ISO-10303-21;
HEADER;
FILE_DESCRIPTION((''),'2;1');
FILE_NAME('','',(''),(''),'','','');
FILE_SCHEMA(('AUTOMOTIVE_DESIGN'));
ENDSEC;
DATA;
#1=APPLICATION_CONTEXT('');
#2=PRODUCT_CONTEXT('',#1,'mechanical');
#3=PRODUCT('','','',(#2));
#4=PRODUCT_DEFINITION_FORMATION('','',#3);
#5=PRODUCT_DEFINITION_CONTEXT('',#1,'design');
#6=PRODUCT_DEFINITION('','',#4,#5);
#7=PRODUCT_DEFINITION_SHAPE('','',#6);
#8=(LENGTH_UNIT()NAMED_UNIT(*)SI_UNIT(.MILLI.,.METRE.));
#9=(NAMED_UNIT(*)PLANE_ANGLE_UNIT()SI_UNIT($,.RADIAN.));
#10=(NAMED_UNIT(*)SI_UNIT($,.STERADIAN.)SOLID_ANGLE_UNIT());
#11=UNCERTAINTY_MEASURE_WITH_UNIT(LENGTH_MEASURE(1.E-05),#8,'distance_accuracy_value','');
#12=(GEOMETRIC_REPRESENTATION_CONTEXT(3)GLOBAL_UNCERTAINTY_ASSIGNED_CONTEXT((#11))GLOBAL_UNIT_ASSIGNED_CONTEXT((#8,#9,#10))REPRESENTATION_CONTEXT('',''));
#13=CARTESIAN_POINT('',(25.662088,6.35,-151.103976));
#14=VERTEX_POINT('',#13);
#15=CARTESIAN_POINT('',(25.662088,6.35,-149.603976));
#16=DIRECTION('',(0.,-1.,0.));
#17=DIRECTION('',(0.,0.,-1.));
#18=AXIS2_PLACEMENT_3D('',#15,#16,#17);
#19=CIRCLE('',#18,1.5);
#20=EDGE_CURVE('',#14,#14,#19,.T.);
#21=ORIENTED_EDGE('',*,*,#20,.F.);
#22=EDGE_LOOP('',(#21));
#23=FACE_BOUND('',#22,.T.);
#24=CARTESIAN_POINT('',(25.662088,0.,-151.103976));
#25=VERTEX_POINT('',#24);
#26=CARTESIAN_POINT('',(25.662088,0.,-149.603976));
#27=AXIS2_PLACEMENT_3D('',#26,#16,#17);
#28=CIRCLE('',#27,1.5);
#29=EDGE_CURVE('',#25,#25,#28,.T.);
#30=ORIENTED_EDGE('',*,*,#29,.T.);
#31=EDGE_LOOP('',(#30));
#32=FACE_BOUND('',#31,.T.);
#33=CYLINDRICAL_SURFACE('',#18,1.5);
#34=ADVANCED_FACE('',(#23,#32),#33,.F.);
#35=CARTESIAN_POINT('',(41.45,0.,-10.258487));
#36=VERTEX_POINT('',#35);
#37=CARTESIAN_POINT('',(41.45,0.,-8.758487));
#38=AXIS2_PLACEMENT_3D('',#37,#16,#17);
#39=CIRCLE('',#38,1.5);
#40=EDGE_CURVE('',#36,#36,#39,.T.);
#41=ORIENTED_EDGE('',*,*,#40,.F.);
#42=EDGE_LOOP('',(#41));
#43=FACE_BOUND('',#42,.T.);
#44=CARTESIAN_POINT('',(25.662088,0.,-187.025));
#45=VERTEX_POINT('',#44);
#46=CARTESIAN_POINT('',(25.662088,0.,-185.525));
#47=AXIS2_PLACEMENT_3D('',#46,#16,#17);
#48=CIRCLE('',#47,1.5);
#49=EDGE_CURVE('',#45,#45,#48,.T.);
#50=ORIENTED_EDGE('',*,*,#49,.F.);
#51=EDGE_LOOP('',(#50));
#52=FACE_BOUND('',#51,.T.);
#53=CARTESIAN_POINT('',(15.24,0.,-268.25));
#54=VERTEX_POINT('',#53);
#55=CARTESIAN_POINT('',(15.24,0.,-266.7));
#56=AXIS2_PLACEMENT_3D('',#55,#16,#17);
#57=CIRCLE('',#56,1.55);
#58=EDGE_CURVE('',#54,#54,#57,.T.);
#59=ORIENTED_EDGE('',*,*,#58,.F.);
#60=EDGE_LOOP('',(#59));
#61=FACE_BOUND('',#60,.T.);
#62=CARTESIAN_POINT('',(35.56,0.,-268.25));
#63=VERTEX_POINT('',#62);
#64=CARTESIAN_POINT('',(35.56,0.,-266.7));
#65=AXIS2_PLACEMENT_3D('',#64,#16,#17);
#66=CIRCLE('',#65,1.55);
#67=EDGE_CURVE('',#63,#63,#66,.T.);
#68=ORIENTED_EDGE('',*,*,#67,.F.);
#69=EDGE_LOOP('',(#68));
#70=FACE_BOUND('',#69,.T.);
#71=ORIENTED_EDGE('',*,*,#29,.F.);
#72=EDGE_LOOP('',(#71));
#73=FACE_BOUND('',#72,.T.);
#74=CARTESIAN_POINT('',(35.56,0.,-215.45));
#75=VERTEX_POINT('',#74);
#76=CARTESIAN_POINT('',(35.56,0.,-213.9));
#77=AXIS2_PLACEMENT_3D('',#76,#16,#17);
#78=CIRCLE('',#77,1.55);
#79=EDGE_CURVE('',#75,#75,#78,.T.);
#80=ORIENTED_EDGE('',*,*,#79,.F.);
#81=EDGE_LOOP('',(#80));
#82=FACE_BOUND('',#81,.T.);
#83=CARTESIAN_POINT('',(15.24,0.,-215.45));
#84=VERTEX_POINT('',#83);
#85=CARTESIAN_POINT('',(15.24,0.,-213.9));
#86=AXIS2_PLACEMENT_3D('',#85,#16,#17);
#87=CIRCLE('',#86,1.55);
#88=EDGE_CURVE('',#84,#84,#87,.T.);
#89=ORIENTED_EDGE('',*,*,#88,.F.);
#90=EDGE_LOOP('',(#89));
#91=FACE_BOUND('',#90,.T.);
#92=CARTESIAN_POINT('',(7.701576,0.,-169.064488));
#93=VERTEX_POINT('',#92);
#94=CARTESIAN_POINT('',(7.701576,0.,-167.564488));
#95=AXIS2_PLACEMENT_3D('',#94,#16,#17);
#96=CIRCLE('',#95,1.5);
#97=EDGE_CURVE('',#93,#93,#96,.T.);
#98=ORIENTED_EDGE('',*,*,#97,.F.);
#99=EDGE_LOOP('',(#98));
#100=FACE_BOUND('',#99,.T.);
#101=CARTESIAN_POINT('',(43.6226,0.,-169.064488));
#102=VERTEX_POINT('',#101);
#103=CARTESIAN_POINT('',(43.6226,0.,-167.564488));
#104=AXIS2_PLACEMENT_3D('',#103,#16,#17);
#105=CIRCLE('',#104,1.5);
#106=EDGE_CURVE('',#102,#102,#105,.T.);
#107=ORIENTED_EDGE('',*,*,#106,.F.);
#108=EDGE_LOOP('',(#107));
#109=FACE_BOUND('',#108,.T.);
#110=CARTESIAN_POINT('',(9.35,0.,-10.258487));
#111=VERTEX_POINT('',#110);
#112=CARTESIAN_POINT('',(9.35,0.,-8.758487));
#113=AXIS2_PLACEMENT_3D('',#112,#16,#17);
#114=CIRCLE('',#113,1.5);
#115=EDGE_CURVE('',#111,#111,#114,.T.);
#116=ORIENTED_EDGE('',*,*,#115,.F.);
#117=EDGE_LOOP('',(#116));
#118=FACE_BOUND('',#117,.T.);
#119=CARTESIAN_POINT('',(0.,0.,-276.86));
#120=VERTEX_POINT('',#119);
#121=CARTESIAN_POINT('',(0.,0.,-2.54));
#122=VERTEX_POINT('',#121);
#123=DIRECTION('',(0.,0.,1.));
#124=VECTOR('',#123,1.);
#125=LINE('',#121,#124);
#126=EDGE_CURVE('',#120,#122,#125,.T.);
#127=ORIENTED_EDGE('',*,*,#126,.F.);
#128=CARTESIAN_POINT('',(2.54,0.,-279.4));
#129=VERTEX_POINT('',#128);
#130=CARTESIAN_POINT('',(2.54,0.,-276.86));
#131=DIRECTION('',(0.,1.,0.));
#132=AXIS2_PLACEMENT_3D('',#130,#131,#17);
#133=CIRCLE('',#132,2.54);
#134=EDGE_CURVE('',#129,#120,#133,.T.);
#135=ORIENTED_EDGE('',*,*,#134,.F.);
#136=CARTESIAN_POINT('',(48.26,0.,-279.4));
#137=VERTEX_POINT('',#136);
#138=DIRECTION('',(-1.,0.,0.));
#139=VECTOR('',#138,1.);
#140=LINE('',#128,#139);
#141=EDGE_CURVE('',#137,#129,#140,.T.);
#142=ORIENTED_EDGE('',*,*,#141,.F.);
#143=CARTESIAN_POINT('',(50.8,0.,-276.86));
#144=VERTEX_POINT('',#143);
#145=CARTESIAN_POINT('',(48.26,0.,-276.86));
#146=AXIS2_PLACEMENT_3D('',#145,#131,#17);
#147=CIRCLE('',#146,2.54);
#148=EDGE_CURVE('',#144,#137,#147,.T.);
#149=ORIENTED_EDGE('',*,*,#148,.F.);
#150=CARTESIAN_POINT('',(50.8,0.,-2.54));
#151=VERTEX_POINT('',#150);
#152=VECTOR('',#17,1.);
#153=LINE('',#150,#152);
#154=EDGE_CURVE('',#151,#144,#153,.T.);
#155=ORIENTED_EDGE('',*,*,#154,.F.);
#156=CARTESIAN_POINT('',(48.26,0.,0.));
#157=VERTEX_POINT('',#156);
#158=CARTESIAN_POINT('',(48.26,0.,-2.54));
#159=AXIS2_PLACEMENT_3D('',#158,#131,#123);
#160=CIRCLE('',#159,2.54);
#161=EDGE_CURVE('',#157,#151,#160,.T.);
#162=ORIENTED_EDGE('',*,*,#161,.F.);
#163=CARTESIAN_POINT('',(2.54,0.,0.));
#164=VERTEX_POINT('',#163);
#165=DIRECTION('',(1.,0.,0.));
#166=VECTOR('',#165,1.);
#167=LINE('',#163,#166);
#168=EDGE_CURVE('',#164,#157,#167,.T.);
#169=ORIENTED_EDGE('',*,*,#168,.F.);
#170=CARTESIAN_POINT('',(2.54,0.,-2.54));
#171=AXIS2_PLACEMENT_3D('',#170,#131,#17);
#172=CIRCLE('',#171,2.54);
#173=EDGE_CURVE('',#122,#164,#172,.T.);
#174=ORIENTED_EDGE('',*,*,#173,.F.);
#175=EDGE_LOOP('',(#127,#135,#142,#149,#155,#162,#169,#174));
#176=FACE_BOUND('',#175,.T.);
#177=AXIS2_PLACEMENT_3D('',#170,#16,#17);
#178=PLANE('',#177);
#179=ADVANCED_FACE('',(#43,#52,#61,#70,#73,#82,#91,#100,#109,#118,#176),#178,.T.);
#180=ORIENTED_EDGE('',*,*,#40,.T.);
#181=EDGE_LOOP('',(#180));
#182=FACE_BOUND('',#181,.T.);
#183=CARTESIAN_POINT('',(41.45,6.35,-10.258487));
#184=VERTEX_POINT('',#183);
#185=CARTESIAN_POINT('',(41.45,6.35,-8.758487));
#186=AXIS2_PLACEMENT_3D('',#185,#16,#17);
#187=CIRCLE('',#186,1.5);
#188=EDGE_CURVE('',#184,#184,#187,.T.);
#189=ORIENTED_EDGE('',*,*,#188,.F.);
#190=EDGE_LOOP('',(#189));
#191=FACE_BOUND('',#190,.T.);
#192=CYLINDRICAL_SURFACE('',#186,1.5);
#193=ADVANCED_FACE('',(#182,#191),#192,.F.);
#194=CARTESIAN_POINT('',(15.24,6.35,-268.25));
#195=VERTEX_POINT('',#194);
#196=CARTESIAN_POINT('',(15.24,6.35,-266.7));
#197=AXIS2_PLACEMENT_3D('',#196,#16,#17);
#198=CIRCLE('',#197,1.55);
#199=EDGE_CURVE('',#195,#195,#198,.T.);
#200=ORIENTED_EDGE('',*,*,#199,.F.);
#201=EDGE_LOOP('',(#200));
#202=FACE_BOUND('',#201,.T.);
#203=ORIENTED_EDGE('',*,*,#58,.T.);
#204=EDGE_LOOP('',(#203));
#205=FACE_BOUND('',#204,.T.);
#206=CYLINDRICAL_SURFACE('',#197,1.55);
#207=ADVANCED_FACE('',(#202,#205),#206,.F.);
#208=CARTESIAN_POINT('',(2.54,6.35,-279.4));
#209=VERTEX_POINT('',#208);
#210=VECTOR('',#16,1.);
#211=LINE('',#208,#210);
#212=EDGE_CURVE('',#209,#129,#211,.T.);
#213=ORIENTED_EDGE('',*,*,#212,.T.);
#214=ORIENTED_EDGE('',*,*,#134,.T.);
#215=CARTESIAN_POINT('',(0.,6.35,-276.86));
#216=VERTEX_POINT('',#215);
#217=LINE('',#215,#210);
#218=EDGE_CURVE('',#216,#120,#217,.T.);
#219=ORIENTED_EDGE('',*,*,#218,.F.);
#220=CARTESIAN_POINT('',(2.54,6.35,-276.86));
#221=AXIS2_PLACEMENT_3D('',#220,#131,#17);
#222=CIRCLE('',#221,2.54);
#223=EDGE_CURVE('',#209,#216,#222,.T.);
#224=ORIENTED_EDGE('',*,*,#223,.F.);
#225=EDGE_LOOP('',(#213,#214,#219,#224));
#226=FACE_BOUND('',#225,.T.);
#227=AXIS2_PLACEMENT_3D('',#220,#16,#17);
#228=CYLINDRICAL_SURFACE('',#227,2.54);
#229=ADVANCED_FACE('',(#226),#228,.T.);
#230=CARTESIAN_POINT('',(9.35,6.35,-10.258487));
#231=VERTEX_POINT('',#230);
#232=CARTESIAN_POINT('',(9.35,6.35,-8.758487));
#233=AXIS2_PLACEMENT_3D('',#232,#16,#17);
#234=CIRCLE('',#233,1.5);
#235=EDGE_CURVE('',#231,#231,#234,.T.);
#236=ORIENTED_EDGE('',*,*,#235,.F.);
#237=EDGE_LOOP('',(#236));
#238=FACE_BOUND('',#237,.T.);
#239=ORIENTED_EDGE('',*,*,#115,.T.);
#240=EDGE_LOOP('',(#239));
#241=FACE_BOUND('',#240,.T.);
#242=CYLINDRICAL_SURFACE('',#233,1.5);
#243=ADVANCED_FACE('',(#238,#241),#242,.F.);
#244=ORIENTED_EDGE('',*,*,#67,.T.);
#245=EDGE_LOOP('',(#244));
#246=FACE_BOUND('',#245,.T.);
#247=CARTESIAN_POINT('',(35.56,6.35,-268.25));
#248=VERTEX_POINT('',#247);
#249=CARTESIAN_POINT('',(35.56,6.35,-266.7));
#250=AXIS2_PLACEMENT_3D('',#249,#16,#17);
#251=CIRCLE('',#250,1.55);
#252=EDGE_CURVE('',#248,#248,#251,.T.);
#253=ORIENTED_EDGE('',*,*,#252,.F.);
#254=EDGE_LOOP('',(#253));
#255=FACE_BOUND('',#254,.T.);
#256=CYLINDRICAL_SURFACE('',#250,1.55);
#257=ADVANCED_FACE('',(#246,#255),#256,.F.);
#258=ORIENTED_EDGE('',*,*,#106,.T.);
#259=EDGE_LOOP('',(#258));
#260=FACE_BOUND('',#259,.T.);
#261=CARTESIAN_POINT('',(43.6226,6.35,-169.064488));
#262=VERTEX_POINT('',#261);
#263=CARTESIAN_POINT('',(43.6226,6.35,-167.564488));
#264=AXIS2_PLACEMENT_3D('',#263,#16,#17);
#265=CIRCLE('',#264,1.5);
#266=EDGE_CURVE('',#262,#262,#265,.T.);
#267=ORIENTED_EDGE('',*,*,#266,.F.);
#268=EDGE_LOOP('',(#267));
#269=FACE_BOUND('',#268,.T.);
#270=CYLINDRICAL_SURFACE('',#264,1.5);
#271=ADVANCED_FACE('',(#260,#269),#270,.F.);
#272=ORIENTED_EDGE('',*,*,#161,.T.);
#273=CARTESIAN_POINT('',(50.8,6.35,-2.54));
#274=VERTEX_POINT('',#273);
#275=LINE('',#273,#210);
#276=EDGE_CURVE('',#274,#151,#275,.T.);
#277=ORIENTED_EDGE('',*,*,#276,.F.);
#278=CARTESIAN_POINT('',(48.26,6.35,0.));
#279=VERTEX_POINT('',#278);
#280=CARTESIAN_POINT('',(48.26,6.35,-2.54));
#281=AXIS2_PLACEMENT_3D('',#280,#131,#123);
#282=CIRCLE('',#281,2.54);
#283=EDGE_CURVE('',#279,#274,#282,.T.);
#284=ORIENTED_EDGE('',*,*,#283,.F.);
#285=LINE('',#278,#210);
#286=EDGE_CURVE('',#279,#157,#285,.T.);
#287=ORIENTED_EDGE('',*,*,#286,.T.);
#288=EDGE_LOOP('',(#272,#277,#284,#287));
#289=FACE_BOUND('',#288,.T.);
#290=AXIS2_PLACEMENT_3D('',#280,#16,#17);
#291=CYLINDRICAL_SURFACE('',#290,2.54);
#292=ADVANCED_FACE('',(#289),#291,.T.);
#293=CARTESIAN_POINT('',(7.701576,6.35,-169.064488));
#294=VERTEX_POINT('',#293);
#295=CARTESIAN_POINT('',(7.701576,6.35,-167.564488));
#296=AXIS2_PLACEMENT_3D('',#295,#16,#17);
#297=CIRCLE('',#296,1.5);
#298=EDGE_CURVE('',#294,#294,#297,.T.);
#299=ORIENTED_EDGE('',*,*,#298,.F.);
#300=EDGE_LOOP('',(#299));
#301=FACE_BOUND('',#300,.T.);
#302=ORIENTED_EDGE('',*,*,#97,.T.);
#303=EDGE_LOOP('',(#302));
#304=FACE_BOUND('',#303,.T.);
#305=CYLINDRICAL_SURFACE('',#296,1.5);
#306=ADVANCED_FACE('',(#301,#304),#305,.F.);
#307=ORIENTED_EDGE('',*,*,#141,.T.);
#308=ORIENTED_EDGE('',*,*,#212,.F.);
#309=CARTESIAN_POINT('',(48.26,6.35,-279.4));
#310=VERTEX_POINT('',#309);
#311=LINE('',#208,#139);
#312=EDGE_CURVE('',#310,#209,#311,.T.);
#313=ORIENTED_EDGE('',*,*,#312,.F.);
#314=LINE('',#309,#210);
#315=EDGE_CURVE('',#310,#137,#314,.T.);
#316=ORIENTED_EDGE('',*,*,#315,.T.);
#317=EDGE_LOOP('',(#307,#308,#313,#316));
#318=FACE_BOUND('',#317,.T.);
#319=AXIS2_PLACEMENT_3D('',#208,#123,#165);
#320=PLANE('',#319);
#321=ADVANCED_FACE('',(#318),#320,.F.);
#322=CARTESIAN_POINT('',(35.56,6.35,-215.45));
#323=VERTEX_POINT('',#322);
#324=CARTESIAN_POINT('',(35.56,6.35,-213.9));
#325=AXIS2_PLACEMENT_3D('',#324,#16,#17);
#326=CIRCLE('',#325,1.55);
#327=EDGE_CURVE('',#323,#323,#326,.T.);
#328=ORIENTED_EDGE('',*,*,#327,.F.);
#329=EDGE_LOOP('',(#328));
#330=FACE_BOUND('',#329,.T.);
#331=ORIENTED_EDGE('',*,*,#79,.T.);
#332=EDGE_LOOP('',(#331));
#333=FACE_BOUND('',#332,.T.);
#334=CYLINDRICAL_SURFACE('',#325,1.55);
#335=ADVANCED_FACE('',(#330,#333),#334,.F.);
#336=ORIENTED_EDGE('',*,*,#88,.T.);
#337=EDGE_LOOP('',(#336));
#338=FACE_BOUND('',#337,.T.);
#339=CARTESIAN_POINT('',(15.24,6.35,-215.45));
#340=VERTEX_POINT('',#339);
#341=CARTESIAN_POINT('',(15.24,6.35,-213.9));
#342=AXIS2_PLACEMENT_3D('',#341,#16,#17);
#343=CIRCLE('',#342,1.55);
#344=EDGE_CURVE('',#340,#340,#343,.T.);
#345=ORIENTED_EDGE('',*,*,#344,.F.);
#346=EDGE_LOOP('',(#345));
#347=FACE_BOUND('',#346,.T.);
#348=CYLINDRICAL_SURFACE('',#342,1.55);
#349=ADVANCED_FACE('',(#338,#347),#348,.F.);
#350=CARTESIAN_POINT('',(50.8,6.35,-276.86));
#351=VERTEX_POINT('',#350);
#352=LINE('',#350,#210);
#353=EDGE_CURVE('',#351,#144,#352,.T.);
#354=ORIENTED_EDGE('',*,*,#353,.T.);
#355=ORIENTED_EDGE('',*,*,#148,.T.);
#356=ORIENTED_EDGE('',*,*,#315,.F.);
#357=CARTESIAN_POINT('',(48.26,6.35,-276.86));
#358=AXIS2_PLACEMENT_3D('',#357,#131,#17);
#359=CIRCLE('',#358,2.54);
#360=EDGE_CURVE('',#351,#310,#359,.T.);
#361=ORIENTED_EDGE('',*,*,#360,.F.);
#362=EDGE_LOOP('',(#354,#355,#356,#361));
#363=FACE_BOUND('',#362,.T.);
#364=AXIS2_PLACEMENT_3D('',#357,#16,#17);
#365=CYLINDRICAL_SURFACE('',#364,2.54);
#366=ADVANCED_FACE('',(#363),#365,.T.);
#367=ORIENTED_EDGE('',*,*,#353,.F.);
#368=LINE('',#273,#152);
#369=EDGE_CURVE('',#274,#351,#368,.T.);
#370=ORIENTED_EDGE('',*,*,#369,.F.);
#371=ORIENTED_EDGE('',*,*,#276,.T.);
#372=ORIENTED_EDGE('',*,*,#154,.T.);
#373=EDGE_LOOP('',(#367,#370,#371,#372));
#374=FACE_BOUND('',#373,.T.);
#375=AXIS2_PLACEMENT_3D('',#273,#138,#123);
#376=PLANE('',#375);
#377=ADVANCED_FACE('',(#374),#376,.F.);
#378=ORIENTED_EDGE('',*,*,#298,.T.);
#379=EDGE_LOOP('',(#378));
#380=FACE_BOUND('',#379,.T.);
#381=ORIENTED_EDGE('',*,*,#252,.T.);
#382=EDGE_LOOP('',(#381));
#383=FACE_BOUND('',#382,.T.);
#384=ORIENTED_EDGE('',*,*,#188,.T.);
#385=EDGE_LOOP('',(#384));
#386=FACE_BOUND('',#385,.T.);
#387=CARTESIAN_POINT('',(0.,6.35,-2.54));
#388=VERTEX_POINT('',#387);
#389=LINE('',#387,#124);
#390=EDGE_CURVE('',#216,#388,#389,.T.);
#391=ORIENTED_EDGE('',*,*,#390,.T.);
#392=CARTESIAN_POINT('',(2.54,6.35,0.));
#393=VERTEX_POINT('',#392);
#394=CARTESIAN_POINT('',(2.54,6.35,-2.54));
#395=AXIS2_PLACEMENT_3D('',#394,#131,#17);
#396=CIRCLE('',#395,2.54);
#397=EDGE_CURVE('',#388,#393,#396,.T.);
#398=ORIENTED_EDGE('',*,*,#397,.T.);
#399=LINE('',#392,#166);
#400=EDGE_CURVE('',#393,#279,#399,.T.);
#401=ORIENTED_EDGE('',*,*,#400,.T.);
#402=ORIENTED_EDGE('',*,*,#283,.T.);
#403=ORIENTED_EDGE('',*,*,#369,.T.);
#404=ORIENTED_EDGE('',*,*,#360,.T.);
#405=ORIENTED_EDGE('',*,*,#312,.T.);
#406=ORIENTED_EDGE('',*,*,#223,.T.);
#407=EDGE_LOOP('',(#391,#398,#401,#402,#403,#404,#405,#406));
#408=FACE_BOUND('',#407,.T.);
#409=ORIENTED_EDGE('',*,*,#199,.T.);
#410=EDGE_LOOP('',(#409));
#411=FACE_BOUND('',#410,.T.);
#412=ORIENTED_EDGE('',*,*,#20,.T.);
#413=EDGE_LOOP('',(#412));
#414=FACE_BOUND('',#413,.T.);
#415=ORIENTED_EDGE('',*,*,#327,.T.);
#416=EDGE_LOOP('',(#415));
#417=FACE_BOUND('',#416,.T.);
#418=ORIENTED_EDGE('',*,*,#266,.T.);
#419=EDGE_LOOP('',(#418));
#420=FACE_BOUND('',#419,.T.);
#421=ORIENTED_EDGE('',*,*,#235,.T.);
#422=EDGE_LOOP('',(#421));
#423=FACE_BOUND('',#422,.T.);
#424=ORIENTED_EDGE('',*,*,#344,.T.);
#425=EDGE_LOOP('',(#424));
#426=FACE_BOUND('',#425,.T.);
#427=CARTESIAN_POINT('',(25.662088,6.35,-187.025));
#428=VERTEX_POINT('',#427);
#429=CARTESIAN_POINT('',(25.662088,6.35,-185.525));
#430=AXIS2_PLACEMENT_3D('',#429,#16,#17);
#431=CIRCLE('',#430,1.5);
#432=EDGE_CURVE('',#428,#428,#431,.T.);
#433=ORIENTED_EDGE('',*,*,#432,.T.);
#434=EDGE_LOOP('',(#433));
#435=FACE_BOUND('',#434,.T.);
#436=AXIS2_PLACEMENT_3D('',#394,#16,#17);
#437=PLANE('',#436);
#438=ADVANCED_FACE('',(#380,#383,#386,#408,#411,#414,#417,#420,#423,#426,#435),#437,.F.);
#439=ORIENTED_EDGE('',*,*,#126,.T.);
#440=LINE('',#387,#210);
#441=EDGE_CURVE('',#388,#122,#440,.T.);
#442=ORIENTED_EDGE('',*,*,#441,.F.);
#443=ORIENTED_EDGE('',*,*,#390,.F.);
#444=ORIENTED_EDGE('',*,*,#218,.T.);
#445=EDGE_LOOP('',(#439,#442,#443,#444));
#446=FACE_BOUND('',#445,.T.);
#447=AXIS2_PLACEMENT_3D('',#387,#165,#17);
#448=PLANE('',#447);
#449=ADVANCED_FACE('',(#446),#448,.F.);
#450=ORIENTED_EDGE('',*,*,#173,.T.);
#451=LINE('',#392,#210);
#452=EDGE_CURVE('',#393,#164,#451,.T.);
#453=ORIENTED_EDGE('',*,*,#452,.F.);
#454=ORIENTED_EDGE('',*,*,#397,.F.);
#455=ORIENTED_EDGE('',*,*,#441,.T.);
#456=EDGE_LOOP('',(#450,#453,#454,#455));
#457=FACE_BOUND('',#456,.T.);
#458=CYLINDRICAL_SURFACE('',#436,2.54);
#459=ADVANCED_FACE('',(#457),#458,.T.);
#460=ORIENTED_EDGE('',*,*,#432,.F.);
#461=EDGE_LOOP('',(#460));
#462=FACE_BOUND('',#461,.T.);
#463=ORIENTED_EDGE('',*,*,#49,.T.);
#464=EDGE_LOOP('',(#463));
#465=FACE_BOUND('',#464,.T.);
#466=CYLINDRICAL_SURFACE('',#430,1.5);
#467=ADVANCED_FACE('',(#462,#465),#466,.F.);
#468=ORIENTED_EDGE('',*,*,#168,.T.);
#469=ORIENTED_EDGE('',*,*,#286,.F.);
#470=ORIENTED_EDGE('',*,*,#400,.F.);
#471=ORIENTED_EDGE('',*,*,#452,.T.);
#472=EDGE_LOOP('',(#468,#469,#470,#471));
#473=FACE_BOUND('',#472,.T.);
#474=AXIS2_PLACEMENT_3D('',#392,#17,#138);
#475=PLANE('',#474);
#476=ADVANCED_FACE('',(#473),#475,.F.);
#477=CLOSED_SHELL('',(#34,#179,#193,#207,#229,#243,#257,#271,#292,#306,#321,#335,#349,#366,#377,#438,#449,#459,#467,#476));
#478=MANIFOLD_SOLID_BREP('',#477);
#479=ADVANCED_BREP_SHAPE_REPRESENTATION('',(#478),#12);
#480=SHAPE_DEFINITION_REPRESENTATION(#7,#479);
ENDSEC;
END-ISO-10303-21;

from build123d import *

# Parameters (mm, degrees)
BOSS_EXTRUDE1_DEPTH = 6.35
SKETCH2_R           = 1.5
CUT_EXTRUDE1_DEPTH  = 6.35
SKETCH3_R           = 1.55
CUT_EXTRUDE2_DEPTH  = 6.35


with BuildPart() as part:
    # Sketch1 → Boss-Extrude1 (new body)
    with BuildSketch(Plane(origin=(0, 0, 0), x_dir=(1, 0, 0), z_dir=(0, 1, 0))):
        with BuildLine():
            Line((2.54, 0), (48.26, 0))
            ThreePointArc((48.26, 0), (50.056051224, 0.743948776), (50.8, 2.54))
            Line((50.8, 2.54), (50.8, 276.86))
            ThreePointArc((50.8, 276.86), (50.056051224, 278.656051224), (48.26, 279.4))
            Line((48.26, 279.4), (2.54, 279.4))
            ThreePointArc((2.54, 279.4), (0.743948776, 278.656051224), (0, 276.86))
            Line((0, 276.86), (0, 2.54))
            ThreePointArc((0, 2.54), (0.743948776, 0.743948776), (2.54, 0))
        make_face()
    extrude(amount=BOSS_EXTRUDE1_DEPTH)

    # Sketch2 → Cut-Extrude1 (cut)
    with BuildSketch(Plane.XZ):
        with Locations((25.662087977, -185.525)):
            Circle(SKETCH2_R)
        with Locations((43.622600219, -167.564487758)):
            Circle(SKETCH2_R)
        with Locations((7.701575735, -167.564487758)):
            Circle(SKETCH2_R)
        with Locations((25.662087977, -149.603975516)):
            Circle(SKETCH2_R)
        with Locations((41.45, -8.758487194)):
            Circle(SKETCH2_R)
        with Locations((9.35, -8.758487194)):
            Circle(SKETCH2_R)
    extrude(amount=-CUT_EXTRUDE1_DEPTH, mode=Mode.SUBTRACT)

    # Sketch3 → Cut-Extrude2 (cut)
    with BuildSketch(Plane.XZ):
        with Locations((15.24, -266.7)):
            Circle(SKETCH3_R)
        with Locations((35.56, -266.7)):
            Circle(SKETCH3_R)
        with Locations((15.24, -213.9)):
            Circle(SKETCH3_R)
        with Locations((35.56, -213.9)):
            Circle(SKETCH3_R)
    extrude(amount=-CUT_EXTRUDE2_DEPTH, mode=Mode.SUBTRACT)


solid = part.part
